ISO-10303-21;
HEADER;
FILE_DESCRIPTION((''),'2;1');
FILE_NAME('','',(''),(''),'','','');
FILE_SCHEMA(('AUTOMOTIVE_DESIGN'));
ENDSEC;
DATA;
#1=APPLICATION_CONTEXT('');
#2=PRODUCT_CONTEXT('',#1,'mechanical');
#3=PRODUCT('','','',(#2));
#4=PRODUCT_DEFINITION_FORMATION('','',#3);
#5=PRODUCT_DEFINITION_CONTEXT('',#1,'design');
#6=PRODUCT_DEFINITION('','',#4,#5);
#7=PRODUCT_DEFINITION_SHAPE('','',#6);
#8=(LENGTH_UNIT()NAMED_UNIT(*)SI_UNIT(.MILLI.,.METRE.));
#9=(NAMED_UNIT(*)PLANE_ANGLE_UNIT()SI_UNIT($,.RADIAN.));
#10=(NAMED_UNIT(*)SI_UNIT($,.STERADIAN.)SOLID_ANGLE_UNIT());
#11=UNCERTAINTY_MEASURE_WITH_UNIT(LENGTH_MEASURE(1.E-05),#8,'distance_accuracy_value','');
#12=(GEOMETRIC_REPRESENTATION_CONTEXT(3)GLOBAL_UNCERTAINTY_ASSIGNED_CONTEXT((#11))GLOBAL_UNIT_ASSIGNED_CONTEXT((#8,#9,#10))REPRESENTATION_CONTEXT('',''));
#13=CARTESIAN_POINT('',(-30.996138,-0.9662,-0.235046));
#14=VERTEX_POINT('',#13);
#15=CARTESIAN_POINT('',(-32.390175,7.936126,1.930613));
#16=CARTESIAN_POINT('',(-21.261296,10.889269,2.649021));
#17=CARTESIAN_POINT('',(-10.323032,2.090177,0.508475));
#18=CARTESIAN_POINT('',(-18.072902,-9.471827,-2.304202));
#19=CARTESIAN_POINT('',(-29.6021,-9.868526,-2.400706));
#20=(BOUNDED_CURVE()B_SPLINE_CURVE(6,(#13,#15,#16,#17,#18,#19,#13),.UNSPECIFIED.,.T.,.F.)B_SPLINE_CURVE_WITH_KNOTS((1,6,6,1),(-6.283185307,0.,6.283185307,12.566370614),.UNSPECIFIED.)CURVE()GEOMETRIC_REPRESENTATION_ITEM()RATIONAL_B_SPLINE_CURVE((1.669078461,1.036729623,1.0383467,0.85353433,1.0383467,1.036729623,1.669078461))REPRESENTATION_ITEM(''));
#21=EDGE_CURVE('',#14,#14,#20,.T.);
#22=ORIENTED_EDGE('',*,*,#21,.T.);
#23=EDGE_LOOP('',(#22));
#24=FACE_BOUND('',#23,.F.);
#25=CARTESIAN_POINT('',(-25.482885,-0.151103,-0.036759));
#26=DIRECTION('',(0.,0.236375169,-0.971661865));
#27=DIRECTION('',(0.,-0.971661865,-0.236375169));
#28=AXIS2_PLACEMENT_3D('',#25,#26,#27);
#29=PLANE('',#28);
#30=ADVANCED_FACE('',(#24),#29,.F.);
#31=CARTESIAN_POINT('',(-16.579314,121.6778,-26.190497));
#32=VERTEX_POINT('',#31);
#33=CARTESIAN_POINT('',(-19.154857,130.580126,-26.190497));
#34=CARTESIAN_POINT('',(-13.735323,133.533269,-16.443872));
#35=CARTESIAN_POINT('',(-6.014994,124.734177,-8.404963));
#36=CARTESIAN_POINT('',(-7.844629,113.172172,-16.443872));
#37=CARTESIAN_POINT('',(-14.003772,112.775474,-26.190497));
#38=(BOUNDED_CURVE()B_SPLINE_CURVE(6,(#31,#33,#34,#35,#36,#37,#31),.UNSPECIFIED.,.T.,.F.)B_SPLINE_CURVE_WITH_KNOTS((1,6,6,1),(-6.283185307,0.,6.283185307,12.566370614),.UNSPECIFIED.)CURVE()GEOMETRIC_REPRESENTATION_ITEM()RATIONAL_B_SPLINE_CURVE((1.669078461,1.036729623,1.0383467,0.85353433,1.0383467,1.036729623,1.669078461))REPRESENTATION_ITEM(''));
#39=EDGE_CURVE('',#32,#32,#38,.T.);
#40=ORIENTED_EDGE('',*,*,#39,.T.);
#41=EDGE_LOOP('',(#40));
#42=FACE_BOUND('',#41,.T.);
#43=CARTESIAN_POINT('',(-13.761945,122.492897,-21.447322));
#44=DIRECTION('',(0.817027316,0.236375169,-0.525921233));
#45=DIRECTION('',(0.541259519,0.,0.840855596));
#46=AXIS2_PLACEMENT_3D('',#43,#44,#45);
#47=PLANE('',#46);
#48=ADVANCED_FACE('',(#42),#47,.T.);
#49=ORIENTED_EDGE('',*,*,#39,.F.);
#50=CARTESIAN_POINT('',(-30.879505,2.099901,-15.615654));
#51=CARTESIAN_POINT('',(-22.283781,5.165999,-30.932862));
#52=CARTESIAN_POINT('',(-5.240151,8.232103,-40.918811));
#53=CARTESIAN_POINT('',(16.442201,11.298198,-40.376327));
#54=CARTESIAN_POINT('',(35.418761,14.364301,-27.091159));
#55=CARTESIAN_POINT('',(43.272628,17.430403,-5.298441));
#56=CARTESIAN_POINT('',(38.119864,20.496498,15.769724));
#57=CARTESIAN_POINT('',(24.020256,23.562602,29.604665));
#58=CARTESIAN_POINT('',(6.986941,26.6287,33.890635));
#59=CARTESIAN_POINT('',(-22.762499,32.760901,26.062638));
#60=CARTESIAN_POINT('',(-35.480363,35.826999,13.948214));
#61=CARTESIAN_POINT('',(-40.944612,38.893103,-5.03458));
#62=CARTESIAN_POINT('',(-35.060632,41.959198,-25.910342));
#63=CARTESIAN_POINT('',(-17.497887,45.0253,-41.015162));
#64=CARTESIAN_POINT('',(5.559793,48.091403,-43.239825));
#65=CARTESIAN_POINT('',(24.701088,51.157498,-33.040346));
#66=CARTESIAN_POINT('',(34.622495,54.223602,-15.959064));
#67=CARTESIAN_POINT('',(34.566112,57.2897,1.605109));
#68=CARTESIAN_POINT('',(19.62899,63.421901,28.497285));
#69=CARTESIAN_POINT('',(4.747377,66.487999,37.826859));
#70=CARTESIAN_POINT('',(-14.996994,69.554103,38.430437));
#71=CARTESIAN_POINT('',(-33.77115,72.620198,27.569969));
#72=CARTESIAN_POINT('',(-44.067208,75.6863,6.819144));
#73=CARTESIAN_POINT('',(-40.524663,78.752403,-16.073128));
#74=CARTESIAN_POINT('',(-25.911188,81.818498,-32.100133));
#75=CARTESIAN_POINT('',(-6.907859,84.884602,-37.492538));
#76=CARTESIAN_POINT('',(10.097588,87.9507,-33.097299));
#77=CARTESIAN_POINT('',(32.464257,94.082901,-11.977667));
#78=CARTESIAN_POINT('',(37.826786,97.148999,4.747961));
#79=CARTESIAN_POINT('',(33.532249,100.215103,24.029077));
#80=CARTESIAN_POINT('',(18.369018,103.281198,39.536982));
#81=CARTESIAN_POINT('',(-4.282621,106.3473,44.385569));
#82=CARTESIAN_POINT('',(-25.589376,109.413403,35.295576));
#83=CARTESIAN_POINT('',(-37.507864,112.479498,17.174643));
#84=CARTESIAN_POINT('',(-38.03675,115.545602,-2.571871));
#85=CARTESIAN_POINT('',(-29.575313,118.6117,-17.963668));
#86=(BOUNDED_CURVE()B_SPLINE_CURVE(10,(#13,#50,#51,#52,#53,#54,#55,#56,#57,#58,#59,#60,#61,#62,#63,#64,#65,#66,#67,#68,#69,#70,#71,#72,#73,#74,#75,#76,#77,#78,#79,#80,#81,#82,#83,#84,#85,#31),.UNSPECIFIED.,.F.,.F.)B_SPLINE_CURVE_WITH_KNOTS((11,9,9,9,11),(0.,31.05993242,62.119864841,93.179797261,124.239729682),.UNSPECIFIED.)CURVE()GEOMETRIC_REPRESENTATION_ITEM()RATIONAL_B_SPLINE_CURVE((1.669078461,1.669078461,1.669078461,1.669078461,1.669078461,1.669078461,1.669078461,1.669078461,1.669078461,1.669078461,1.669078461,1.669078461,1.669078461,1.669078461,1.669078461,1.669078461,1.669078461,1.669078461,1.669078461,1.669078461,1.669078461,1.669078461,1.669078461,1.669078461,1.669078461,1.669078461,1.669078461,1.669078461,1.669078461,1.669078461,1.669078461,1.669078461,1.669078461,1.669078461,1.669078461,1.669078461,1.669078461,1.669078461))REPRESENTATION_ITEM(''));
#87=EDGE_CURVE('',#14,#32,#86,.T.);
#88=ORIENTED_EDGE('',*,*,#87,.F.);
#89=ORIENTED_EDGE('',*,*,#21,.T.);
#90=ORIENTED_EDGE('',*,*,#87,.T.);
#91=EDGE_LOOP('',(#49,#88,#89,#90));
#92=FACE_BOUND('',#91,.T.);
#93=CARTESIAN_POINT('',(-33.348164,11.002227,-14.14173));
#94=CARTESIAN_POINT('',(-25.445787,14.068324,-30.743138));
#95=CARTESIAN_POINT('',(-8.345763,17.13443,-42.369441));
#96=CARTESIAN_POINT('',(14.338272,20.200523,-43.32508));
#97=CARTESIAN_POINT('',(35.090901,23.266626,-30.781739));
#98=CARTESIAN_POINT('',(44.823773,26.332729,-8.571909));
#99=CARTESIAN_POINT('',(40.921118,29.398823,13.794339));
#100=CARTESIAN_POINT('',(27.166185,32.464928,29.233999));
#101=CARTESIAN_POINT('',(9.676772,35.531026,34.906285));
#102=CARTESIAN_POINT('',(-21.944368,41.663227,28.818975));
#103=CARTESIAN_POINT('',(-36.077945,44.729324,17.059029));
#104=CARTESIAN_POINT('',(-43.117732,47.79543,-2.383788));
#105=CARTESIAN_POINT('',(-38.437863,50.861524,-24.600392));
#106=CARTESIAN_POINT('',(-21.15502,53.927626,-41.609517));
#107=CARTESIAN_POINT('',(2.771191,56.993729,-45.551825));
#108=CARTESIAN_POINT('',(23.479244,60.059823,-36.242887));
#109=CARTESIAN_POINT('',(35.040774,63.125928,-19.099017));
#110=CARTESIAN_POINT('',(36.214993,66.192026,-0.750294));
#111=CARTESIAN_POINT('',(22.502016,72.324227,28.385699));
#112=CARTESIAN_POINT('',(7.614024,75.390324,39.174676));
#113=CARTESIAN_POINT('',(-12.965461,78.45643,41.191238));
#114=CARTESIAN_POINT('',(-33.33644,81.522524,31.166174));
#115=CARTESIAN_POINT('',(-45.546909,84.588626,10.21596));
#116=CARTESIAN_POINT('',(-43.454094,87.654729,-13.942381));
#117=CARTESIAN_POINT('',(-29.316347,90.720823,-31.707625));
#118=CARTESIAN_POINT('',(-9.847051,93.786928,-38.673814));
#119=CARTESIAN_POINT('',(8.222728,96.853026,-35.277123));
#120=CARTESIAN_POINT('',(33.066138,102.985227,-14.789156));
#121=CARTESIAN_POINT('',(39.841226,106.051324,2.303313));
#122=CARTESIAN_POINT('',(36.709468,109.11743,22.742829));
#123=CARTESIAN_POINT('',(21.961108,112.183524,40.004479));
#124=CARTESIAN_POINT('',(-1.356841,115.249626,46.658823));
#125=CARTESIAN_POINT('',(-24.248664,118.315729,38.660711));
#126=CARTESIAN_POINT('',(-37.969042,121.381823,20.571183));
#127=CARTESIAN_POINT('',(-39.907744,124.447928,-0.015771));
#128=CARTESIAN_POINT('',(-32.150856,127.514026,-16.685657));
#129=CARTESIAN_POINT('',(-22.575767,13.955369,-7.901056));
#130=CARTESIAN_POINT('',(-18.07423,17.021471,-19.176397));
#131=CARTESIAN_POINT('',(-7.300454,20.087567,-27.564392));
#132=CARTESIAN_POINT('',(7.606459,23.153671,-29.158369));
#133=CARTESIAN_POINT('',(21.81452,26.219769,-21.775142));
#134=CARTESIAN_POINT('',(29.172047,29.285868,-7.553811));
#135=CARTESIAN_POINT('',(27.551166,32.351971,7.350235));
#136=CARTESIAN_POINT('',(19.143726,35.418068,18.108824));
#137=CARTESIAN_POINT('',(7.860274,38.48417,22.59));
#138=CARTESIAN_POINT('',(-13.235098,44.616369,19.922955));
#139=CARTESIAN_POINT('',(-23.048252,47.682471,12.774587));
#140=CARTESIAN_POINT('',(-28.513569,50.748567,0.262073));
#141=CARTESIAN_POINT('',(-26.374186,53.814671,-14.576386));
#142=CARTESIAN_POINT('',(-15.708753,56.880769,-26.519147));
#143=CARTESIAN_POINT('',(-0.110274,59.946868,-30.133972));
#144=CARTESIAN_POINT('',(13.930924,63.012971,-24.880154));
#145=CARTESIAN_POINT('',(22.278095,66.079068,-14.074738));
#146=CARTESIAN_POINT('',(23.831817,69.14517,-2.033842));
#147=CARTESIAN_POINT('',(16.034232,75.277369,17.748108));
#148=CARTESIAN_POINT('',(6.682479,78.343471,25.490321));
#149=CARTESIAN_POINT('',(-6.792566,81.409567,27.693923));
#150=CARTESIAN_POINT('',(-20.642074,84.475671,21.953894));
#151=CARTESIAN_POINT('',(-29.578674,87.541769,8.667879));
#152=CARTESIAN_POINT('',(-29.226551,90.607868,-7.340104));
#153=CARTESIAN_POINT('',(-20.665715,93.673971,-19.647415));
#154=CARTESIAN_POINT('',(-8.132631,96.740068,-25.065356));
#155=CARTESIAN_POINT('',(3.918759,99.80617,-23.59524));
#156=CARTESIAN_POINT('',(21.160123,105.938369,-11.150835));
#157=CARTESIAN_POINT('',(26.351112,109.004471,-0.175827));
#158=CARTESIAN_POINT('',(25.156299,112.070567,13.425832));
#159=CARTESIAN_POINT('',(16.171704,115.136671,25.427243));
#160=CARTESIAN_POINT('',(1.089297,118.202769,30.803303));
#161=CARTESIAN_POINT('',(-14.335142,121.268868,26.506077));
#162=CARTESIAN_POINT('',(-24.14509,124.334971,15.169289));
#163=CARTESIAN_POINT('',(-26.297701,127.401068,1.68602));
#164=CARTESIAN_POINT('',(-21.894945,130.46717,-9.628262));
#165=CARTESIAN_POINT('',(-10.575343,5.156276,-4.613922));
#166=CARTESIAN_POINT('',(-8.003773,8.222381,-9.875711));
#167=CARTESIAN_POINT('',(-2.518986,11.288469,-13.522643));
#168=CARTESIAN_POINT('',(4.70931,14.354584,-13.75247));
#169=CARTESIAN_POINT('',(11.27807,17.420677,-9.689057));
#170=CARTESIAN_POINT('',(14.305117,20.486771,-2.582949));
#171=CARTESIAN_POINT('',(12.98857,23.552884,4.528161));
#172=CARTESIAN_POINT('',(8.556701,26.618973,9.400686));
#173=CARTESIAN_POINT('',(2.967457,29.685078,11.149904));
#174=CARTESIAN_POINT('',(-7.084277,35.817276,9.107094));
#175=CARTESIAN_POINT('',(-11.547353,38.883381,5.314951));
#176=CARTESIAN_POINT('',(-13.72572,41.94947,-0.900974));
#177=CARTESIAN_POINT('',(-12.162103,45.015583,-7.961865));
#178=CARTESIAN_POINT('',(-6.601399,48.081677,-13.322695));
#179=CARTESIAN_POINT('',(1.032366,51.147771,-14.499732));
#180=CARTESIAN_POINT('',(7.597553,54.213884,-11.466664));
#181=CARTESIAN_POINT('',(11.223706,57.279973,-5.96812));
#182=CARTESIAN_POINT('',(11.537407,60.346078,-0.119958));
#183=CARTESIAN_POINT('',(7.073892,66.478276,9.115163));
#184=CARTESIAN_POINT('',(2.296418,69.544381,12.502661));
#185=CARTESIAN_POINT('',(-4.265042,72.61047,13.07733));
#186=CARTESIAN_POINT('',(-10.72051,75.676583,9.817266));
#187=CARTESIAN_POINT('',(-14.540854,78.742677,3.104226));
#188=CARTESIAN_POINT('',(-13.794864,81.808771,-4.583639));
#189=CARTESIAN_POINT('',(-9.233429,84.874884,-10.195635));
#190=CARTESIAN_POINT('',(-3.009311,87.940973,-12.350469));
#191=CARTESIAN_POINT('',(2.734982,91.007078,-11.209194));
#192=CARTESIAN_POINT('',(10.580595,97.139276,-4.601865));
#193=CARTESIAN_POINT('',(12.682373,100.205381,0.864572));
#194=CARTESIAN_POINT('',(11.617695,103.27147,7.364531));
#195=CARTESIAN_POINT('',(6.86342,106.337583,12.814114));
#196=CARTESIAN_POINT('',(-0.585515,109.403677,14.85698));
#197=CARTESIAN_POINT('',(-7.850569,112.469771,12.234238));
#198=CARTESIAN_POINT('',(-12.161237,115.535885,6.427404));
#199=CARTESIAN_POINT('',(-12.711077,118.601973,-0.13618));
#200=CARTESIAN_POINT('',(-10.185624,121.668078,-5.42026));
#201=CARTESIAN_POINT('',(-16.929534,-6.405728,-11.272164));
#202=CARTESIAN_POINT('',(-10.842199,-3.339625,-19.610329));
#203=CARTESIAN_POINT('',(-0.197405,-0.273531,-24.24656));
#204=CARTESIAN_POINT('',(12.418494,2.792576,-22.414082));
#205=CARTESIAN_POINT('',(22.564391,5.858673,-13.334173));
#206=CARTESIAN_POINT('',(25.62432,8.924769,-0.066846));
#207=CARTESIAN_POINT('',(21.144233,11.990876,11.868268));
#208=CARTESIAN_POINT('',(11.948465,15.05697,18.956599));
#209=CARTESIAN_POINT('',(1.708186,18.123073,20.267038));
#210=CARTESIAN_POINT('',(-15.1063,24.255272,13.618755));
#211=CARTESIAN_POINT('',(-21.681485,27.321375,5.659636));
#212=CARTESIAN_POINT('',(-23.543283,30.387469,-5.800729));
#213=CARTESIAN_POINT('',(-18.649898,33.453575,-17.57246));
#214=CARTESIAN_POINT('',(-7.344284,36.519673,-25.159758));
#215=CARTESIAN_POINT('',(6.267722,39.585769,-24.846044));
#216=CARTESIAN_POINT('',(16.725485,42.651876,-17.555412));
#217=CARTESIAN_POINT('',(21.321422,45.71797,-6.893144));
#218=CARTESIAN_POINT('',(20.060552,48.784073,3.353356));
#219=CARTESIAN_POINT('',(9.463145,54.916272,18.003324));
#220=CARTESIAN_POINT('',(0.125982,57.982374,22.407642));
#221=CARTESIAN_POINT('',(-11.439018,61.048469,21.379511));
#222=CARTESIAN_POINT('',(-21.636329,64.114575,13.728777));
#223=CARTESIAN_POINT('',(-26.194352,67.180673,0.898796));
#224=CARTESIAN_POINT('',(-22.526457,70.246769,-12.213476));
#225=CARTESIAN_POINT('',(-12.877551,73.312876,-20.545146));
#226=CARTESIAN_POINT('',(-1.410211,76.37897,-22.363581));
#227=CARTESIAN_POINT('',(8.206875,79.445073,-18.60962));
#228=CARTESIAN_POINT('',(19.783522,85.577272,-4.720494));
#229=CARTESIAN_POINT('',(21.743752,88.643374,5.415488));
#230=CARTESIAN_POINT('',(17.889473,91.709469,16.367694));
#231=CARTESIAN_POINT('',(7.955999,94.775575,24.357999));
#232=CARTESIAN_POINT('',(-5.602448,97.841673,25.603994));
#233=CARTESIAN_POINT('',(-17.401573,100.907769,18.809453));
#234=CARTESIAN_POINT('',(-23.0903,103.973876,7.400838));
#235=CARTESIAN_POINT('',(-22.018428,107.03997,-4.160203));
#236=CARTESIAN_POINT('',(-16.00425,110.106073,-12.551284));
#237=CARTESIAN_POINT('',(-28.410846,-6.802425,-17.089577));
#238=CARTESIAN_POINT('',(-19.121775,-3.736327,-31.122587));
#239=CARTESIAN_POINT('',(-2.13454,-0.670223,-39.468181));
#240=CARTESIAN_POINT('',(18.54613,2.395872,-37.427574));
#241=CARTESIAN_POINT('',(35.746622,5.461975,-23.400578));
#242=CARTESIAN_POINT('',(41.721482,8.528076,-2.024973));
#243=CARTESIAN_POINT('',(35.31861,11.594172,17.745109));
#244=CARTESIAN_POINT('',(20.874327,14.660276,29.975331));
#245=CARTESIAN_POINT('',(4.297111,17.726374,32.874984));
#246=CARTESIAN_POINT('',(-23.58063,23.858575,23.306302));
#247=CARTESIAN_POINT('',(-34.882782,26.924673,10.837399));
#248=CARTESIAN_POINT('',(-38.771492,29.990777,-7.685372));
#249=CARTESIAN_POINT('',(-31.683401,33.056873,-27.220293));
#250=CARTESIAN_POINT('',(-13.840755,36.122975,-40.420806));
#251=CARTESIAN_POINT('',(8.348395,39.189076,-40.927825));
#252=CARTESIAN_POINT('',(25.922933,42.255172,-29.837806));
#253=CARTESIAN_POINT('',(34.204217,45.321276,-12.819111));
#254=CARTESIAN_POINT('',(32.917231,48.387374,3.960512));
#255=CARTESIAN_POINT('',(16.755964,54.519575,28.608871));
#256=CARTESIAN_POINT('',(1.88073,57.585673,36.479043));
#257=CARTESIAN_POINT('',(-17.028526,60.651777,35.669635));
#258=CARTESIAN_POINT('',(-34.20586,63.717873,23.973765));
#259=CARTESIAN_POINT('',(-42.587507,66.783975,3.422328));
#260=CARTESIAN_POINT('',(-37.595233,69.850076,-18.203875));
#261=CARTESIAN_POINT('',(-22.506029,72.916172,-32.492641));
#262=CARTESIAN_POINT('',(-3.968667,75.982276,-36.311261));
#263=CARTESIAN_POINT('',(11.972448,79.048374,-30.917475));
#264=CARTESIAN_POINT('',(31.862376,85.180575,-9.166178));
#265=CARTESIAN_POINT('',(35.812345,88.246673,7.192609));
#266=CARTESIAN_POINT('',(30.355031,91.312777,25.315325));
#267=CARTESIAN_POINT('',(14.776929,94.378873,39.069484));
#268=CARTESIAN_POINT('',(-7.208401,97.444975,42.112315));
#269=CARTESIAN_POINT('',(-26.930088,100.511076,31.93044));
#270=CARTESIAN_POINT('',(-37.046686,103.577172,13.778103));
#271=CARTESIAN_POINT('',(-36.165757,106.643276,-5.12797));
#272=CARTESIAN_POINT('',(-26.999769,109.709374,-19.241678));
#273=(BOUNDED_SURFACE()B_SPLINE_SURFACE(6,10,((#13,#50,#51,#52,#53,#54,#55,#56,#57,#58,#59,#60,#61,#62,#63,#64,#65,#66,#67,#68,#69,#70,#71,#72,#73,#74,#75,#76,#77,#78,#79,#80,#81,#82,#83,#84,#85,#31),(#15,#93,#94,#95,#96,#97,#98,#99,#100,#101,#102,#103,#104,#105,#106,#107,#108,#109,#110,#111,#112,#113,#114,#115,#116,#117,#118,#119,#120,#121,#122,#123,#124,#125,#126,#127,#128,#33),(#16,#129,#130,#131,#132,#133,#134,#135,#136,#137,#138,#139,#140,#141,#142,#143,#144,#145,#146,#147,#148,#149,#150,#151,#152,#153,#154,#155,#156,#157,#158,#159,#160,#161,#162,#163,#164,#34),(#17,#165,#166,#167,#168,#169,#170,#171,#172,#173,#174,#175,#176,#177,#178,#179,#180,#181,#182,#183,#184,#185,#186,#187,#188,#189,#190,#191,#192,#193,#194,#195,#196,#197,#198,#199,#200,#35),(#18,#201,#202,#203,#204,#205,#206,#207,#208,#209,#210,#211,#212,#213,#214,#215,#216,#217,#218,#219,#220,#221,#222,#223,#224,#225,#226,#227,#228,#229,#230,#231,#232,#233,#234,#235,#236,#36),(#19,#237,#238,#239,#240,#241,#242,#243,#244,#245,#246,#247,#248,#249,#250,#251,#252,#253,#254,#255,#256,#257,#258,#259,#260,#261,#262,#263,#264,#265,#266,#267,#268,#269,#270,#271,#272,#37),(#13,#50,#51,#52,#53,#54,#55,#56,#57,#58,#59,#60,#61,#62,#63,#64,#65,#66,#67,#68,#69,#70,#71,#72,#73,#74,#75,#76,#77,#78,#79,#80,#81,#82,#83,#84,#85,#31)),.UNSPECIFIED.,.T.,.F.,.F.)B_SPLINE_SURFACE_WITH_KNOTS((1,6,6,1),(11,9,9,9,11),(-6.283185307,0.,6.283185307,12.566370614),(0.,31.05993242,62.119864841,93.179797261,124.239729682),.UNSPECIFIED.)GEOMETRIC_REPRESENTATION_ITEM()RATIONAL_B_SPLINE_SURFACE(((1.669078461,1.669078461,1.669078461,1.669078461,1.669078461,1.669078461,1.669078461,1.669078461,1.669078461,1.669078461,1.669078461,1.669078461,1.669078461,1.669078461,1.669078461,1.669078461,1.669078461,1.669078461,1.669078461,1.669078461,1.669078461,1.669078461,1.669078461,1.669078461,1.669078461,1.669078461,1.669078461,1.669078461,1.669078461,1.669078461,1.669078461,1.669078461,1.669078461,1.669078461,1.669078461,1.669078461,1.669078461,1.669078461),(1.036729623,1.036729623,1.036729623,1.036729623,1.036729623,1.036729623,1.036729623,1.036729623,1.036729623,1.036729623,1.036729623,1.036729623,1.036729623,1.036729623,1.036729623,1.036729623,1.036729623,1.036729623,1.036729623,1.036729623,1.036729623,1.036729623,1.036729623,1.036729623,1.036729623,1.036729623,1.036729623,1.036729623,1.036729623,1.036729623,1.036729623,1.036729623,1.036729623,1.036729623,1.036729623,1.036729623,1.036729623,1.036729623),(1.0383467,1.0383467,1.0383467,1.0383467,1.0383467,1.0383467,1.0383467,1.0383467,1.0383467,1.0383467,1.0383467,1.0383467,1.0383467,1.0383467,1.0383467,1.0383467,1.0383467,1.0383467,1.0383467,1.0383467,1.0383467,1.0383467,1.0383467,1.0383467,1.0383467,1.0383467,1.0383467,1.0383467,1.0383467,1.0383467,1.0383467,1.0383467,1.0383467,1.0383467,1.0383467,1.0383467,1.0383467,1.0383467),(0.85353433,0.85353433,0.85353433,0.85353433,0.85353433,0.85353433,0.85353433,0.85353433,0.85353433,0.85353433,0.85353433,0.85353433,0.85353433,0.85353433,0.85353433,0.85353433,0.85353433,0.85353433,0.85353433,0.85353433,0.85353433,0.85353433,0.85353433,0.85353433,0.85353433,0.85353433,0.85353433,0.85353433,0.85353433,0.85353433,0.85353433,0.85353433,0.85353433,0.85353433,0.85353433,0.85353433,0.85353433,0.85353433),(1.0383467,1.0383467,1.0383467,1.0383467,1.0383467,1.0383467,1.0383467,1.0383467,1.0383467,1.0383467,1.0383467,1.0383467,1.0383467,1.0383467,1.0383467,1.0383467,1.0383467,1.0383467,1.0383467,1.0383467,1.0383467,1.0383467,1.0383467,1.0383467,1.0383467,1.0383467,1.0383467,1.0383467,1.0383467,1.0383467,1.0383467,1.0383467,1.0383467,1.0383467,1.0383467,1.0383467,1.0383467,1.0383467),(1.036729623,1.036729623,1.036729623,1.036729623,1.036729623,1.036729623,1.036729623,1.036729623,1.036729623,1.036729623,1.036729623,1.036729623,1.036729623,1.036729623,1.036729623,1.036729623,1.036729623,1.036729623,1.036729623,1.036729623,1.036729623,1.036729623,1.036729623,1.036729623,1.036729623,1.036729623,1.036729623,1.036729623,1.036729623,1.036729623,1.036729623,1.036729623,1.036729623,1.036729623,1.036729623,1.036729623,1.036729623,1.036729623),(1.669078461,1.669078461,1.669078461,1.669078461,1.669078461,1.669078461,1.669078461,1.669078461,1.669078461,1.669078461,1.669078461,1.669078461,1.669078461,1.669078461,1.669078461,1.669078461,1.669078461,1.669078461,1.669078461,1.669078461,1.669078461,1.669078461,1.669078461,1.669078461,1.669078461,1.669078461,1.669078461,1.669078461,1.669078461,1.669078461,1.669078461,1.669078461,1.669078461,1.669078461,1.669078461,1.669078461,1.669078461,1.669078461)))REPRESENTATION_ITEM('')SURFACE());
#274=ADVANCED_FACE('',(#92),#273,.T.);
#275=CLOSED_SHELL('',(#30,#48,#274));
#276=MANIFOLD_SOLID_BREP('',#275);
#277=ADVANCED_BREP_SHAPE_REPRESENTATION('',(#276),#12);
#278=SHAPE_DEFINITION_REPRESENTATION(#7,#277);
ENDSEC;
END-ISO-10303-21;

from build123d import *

# Parameters (mm, degrees)
SWEEP1_PITCH       = 38.824
SWEEP1_HEIGHT      = 122.644
SWEEP1_RADIUS      = 25.4
SWEEP1_START_ANGLE = -90
SKETCH2_R          = 5.577590445


with BuildPart() as part:
    # Sweep1: sweep along a helix
    with BuildLine() as sweep1_path:
        add(Helix(SWEEP1_PITCH, SWEEP1_HEIGHT, SWEEP1_RADIUS, center=(0, 0, 0), direction=(0, 1, 0), lefthand=True, mode=Mode.PRIVATE).rotate(Axis((0, 0, 0), (0, 1, 0)), SWEEP1_START_ANGLE))
    # Sketch2 → Sweep1 (sweep)
    with BuildSketch(Plane(origin=(-13.747991779, 122.644, -21.357732137), x_dir=(-0.5052030595763846, -0.14616091279359186, -0.8505332775182899), z_dir=(0.817027316474036, 0.2363751685377286, -0.525921233488434))):
        with Locations((0.104450233, -0.141272618)):
            Circle(SKETCH2_R)
    sweep(path=sweep1_path.line, is_frenet=True)


solid = part.part
